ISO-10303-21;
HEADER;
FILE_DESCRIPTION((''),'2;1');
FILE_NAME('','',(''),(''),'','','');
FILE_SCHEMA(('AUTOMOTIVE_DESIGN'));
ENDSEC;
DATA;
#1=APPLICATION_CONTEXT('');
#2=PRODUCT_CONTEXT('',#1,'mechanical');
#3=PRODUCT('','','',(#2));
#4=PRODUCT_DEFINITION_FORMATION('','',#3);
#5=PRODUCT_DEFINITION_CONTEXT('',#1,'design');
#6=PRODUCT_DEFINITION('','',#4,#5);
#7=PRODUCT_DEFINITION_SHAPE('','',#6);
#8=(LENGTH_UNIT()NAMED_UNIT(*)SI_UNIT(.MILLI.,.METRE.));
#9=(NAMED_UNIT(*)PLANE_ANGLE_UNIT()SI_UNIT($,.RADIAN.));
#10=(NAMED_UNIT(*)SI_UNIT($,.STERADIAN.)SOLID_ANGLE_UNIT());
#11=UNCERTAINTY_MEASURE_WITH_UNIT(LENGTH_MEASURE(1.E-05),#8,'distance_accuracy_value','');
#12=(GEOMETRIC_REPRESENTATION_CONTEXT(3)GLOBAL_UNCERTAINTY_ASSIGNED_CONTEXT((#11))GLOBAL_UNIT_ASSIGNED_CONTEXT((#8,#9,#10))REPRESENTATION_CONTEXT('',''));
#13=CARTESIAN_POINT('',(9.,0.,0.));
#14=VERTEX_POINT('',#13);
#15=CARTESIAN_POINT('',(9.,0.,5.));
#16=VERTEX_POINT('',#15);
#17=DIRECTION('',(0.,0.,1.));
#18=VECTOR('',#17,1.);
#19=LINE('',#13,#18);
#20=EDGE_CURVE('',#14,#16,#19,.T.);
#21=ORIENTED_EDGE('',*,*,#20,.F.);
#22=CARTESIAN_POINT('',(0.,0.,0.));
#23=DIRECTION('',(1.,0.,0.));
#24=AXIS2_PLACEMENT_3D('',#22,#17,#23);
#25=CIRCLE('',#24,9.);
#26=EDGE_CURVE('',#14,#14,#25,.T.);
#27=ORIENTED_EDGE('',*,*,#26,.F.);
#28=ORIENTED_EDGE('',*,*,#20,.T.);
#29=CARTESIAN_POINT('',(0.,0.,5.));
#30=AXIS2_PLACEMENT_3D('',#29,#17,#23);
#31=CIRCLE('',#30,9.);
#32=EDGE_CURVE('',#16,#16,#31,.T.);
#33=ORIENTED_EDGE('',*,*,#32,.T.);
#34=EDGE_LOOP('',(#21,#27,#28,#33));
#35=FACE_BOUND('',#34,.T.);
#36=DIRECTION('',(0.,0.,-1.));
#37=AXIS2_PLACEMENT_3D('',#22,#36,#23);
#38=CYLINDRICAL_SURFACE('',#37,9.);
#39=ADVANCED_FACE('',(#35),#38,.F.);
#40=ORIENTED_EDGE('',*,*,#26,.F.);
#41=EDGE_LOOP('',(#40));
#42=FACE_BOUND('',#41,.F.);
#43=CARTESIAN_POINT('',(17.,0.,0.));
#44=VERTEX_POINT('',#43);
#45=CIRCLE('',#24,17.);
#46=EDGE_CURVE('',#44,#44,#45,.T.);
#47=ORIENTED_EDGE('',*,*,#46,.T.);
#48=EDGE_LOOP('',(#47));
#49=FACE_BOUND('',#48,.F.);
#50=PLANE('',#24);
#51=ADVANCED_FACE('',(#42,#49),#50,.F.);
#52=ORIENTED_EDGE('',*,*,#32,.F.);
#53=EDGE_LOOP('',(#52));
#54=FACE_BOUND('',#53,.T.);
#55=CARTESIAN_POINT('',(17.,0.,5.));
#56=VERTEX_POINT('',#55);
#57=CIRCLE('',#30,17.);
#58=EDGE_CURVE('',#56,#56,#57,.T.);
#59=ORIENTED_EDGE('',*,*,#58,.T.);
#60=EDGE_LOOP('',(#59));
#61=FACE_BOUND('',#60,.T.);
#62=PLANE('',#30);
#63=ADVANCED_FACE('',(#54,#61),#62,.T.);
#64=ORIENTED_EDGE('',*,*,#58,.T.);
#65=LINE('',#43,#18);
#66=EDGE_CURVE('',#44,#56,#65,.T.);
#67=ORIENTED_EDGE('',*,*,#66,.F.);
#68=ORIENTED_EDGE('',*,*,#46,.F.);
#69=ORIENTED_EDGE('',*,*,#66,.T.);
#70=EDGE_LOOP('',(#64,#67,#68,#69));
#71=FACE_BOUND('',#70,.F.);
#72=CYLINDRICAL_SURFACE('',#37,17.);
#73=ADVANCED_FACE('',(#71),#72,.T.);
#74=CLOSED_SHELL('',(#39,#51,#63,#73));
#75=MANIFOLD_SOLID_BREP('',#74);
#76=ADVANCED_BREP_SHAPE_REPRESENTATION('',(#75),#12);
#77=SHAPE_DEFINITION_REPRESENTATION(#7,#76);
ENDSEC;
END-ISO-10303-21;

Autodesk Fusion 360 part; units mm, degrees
sketch "Schizzo1" plane through (0, 0, 0) normal (0, 0, 1) x (1, 0, 0)
  circle A0 centre (0, 0) radius 17
  circle A1 centre (0, 0) radius 9
  dimension "d1" = 34
  dimension "d2" = 18
extrude "Estrusione1" add sketch "Schizzo1" along normal blind 5
